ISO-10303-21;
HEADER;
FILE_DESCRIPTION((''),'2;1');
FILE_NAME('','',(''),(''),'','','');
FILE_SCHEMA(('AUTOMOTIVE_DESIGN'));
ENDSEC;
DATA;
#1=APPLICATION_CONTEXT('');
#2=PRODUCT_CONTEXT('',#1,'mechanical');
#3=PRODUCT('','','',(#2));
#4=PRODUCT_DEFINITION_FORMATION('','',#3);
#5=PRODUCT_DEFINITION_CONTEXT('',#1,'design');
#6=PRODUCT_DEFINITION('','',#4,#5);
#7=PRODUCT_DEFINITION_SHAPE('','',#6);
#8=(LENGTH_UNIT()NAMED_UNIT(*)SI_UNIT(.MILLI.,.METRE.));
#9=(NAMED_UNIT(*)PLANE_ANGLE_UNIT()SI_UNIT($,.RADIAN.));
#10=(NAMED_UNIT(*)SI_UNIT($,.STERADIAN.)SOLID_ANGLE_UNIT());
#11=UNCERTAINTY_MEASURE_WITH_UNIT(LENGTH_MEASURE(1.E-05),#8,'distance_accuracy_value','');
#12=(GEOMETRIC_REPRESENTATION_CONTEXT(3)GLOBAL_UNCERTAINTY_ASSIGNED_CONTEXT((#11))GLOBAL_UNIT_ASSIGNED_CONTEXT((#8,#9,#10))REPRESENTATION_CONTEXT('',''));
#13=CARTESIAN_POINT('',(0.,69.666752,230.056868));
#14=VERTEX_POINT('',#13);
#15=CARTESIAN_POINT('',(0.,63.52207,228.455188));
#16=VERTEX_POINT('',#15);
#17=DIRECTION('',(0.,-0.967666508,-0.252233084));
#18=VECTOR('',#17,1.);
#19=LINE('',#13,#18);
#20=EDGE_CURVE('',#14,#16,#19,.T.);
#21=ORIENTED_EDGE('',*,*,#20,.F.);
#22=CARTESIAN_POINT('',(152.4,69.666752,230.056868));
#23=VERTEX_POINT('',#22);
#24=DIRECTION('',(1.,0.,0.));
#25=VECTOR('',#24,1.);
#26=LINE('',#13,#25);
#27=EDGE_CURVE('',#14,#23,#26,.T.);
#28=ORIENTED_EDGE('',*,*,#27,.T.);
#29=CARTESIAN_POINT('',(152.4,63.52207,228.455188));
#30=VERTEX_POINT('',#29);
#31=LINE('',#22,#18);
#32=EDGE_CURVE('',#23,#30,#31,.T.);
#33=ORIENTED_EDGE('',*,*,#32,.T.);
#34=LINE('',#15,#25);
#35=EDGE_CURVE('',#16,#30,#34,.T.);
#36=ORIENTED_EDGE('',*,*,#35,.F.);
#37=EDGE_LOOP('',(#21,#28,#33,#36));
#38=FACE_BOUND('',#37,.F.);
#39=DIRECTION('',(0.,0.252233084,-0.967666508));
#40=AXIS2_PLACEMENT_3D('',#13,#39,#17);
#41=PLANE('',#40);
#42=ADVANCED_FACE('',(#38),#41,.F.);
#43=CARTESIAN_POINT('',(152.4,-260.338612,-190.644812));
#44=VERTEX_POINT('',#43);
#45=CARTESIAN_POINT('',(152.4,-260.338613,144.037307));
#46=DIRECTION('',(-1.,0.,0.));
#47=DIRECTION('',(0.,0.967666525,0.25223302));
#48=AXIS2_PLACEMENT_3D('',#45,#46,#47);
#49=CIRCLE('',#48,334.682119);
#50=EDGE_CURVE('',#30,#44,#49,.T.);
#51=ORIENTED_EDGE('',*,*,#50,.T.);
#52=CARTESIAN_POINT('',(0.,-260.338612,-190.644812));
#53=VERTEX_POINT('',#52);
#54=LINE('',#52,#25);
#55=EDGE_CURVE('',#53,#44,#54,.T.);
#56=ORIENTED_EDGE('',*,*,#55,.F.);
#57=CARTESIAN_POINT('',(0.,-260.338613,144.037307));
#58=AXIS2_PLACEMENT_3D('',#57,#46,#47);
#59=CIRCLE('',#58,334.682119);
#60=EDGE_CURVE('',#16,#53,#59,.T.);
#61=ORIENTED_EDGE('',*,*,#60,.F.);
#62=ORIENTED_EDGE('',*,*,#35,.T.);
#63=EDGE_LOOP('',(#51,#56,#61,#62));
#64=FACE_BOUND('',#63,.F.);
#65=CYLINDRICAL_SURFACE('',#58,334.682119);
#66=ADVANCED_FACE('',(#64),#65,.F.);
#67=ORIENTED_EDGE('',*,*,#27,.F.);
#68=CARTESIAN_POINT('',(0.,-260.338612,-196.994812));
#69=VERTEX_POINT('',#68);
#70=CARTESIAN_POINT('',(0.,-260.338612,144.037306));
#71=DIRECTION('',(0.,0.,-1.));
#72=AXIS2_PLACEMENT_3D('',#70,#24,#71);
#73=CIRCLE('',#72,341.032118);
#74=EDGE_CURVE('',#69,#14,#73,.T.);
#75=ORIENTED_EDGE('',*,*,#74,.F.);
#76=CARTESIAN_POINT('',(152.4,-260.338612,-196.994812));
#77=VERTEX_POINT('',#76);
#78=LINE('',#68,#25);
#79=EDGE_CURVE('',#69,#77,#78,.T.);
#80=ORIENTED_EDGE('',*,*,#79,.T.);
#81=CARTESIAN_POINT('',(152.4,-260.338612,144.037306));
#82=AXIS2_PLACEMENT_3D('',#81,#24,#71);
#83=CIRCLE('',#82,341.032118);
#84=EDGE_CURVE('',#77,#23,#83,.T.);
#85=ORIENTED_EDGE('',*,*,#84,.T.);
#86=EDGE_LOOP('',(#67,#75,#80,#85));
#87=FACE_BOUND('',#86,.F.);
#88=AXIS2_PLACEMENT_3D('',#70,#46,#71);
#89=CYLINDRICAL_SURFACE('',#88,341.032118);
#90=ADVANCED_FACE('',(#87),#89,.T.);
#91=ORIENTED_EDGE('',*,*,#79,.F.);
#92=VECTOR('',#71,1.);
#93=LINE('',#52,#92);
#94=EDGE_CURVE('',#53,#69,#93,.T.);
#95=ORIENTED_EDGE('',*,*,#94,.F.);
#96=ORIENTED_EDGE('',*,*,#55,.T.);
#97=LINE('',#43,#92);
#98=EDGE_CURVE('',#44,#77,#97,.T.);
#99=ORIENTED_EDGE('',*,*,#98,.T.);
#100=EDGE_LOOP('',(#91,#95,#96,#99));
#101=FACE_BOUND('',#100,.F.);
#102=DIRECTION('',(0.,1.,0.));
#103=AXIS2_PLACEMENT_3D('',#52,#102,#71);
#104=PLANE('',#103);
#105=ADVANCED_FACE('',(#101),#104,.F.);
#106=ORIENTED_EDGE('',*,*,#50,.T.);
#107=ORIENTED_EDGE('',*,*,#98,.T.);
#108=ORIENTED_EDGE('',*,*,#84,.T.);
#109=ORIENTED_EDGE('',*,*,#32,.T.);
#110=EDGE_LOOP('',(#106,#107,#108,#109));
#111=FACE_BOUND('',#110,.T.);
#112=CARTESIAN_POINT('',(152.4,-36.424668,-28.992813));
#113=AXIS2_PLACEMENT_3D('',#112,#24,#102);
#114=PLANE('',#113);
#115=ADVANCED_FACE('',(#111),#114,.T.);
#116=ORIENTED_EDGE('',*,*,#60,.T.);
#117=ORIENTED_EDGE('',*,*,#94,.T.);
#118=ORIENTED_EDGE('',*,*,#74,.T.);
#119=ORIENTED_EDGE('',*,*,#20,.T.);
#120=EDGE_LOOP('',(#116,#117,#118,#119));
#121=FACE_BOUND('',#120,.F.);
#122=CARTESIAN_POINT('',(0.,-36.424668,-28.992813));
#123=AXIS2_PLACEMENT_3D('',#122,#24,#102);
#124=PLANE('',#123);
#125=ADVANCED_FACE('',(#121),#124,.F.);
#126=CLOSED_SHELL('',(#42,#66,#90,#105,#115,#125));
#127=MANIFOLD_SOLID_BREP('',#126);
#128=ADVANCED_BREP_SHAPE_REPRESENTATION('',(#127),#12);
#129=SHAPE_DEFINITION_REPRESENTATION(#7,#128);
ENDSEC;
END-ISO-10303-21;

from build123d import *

# Parameters (mm, degrees)
F1_DEPTH = 152.4


with BuildPart() as f1:
    # F0 (on Right) → F1 (new body)
    with BuildSketch(Plane.YZ):
        with BuildLine():
            ThreePointArc((63.52207, 228.455188), (4.487062, -60.607465), (-260.338612, -190.644812))
            Line((-260.338612, -190.644812), (-260.338612, -196.994812))
            ThreePointArc((-260.338612, -196.994812), (9.51166, -64.490237), (69.666752, 230.056868))
            Line((69.666752, 230.056868), (63.52207, 228.455188))
        make_face()
    extrude(amount=F1_DEPTH)


solid = f1.part
